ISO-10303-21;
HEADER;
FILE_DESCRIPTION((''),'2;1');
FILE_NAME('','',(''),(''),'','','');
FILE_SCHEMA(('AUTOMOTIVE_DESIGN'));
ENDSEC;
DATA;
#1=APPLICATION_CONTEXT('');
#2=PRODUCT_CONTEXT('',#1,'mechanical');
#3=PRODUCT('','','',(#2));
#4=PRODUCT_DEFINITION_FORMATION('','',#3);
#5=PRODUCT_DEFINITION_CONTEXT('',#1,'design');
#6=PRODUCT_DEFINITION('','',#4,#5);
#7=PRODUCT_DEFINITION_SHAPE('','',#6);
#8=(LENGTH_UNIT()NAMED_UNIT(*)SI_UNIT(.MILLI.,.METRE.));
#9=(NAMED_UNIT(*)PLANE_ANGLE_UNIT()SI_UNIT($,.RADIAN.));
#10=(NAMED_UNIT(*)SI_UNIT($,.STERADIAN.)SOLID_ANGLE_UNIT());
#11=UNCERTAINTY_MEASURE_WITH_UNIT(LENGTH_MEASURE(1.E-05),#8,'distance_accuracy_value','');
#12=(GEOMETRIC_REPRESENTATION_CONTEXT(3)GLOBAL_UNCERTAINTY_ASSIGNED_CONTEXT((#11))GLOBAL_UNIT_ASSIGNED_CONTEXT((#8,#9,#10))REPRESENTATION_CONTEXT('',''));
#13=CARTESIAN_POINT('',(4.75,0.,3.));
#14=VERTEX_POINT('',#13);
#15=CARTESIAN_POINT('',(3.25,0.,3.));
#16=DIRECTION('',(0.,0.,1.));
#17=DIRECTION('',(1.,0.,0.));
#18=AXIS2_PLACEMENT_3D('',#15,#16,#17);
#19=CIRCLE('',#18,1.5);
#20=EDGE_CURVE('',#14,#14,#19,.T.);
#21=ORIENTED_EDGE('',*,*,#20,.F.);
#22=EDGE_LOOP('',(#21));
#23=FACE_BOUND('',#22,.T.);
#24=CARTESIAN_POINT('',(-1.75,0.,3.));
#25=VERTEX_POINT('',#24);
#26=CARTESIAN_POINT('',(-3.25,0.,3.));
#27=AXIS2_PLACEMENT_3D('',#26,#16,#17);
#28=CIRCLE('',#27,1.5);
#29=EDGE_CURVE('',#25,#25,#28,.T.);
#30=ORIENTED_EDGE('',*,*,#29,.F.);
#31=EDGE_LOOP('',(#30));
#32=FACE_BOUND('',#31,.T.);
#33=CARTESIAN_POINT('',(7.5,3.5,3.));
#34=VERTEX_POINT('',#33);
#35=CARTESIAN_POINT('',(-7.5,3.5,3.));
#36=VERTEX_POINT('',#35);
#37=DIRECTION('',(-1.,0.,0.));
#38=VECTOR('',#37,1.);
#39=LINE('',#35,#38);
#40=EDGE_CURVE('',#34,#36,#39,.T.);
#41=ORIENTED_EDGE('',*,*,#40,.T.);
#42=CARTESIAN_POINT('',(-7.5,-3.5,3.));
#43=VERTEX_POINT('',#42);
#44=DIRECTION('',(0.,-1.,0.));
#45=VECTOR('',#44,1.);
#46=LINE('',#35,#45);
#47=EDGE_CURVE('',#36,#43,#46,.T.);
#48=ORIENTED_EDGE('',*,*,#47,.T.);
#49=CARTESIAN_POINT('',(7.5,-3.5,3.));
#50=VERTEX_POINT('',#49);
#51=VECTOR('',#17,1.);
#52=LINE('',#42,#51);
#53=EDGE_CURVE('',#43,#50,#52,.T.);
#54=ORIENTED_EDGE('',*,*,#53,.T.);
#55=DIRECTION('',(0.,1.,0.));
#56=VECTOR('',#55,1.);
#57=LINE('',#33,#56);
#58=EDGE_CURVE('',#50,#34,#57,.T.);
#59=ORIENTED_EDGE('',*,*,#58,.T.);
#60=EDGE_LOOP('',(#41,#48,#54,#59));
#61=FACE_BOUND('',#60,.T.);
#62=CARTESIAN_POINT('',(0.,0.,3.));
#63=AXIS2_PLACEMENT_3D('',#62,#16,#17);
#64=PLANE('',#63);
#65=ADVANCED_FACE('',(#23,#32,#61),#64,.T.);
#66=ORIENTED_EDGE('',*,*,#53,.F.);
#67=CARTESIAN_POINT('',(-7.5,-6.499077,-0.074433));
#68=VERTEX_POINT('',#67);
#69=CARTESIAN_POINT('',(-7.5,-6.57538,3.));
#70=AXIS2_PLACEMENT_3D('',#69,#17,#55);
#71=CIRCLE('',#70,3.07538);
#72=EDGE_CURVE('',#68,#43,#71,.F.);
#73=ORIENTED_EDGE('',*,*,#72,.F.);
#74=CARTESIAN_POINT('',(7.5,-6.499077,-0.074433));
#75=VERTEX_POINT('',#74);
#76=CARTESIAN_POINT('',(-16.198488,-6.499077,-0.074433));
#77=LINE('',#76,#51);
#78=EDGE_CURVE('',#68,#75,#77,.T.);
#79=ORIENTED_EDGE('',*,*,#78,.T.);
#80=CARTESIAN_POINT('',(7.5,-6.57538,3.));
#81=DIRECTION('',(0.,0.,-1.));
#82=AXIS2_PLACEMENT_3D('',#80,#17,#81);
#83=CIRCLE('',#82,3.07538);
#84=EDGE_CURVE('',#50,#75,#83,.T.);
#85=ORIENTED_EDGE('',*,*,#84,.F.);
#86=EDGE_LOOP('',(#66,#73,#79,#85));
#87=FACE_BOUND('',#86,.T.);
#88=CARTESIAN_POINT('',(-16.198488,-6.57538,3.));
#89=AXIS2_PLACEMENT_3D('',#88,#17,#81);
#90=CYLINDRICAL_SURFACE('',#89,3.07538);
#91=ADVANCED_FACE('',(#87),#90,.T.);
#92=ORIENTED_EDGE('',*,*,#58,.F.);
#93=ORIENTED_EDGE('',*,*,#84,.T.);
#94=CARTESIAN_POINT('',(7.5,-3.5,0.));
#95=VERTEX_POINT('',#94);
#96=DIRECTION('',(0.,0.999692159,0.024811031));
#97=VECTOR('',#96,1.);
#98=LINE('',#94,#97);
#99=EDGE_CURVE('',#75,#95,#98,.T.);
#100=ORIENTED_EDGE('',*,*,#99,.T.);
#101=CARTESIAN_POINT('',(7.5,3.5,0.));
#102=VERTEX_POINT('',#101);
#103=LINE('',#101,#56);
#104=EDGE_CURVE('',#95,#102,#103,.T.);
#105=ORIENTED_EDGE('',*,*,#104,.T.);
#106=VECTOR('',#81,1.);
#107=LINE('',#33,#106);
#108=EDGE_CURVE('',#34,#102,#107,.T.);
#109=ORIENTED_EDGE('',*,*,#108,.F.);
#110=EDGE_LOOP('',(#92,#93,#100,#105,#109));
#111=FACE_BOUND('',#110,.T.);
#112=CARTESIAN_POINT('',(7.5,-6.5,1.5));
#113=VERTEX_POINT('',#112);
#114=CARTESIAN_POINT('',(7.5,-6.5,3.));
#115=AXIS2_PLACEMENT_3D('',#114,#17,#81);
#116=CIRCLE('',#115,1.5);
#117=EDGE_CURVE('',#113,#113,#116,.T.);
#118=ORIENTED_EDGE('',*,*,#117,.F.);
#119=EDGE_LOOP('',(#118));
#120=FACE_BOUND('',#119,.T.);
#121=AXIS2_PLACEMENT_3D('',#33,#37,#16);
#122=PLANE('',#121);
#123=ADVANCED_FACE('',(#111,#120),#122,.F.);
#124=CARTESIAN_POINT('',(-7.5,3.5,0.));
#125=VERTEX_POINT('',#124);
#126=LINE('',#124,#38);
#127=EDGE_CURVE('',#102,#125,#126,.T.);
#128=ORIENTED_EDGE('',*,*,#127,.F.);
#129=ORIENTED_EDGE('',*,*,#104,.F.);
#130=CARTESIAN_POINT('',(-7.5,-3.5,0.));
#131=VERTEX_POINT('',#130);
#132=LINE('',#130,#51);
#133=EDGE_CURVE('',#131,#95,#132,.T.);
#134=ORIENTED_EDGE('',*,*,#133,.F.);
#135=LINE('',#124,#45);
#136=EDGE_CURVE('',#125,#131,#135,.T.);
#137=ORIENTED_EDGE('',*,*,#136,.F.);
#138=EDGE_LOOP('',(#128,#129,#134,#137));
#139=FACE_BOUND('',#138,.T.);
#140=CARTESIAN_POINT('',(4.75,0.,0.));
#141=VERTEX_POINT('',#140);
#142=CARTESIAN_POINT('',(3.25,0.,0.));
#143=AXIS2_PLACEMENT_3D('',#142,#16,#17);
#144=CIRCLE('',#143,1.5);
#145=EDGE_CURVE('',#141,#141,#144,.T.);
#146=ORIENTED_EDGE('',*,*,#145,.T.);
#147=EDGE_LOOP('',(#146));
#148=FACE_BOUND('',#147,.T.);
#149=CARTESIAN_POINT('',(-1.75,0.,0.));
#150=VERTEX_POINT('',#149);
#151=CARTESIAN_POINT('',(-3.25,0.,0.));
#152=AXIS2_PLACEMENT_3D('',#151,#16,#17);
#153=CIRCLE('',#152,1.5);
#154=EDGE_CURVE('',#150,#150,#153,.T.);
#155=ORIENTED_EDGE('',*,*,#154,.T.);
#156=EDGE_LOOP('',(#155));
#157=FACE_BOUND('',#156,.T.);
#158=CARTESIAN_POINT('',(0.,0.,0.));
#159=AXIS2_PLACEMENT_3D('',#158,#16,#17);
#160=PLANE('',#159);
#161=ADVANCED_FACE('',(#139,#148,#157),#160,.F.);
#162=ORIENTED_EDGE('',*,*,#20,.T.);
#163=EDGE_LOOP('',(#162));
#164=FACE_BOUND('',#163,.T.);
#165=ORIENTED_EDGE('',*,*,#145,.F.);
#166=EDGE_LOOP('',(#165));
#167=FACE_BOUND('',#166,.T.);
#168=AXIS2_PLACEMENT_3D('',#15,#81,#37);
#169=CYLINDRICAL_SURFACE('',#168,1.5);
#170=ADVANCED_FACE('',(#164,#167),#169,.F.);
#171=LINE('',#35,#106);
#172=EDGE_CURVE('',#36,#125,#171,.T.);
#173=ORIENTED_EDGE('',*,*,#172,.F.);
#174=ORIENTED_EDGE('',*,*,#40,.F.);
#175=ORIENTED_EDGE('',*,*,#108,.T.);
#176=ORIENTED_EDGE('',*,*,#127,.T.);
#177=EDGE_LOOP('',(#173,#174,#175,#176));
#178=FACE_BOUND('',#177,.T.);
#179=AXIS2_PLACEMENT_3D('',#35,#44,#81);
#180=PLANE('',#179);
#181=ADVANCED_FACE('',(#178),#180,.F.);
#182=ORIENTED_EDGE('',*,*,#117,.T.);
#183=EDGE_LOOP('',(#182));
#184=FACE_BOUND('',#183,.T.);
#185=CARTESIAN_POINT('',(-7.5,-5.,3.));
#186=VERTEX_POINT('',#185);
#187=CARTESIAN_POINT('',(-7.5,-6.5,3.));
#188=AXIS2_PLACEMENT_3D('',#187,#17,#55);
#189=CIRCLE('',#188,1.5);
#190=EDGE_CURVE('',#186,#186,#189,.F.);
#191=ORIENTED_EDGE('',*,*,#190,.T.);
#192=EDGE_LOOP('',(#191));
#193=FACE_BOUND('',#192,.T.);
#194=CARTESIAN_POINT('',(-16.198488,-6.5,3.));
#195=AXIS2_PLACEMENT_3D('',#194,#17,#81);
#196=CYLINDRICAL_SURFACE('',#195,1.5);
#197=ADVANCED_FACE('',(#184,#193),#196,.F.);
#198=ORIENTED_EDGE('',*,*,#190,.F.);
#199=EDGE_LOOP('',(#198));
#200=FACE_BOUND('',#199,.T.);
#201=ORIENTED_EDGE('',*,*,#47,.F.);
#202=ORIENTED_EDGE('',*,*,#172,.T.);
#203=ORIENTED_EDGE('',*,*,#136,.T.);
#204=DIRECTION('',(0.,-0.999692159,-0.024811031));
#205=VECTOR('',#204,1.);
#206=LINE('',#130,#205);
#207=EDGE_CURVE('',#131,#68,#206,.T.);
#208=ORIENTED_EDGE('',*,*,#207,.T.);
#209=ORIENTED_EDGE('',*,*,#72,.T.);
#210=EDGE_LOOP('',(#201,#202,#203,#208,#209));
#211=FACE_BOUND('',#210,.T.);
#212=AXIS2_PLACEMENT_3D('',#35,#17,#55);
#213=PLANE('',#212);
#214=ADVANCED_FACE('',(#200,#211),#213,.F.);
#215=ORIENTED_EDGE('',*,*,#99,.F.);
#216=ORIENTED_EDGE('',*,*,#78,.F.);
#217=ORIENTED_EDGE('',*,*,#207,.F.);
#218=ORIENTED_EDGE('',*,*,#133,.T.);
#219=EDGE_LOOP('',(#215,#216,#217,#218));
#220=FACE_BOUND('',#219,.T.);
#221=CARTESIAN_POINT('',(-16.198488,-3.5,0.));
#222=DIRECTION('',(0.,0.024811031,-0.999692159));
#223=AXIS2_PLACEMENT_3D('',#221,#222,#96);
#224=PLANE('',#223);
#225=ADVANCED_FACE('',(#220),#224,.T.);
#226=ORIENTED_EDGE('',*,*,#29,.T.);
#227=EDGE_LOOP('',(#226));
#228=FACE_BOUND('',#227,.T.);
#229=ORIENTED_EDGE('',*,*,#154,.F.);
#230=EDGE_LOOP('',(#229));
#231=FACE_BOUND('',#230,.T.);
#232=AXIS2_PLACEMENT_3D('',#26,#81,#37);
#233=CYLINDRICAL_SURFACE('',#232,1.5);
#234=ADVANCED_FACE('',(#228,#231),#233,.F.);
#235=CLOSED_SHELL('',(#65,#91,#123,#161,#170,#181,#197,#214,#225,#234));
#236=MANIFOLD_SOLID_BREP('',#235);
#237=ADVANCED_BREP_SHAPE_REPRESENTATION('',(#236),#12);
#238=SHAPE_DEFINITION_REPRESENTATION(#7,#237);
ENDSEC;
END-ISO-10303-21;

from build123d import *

# Parameters (mm, degrees)
SZKIC1_W                    = 15
SZKIC1_H                    = 7
SZKIC1_R                    = 1.5
DODANIE_WYCI_GNI_CIE2_DEPTH = 3
SZKIC2_R                    = 1.5
DODANIE_WYCI_GNI_CIE3_DEPTH = 15


with BuildPart() as part:
    # Szkic1 → Dodanie-wyciągnięcie2 (new body)
    with BuildSketch(Plane.XY):
        Rectangle(SZKIC1_W, SZKIC1_H)
        with Locations((-3.25, 0)):
            Circle(SZKIC1_R, mode=Mode.SUBTRACT)
        with Locations((3.25, 0)):
            Circle(SZKIC1_R, mode=Mode.SUBTRACT)
    extrude(amount=DODANIE_WYCI_GNI_CIE2_DEPTH)

    # Szkic2 → Dodanie-wyciągnięcie3 (add)
    with BuildSketch(Plane(origin=(7.5, 0, 0), x_dir=(0, 0, -1), z_dir=(1, 0, 0))):
        with BuildLine():
            Line((0, -3.5), (0.074433096, -6.499076619))
            ThreePointArc((0.074433096, -6.499076619), (-5.147475229, -8.776813713), (-3, -3.5))
            Line((-3, -3.5), (0, -3.5))
        make_face()
        with Locations((-3, -6.5)):
            Circle(SZKIC2_R, mode=Mode.SUBTRACT)
    extrude(amount=-DODANIE_WYCI_GNI_CIE3_DEPTH)


solid = part.part
